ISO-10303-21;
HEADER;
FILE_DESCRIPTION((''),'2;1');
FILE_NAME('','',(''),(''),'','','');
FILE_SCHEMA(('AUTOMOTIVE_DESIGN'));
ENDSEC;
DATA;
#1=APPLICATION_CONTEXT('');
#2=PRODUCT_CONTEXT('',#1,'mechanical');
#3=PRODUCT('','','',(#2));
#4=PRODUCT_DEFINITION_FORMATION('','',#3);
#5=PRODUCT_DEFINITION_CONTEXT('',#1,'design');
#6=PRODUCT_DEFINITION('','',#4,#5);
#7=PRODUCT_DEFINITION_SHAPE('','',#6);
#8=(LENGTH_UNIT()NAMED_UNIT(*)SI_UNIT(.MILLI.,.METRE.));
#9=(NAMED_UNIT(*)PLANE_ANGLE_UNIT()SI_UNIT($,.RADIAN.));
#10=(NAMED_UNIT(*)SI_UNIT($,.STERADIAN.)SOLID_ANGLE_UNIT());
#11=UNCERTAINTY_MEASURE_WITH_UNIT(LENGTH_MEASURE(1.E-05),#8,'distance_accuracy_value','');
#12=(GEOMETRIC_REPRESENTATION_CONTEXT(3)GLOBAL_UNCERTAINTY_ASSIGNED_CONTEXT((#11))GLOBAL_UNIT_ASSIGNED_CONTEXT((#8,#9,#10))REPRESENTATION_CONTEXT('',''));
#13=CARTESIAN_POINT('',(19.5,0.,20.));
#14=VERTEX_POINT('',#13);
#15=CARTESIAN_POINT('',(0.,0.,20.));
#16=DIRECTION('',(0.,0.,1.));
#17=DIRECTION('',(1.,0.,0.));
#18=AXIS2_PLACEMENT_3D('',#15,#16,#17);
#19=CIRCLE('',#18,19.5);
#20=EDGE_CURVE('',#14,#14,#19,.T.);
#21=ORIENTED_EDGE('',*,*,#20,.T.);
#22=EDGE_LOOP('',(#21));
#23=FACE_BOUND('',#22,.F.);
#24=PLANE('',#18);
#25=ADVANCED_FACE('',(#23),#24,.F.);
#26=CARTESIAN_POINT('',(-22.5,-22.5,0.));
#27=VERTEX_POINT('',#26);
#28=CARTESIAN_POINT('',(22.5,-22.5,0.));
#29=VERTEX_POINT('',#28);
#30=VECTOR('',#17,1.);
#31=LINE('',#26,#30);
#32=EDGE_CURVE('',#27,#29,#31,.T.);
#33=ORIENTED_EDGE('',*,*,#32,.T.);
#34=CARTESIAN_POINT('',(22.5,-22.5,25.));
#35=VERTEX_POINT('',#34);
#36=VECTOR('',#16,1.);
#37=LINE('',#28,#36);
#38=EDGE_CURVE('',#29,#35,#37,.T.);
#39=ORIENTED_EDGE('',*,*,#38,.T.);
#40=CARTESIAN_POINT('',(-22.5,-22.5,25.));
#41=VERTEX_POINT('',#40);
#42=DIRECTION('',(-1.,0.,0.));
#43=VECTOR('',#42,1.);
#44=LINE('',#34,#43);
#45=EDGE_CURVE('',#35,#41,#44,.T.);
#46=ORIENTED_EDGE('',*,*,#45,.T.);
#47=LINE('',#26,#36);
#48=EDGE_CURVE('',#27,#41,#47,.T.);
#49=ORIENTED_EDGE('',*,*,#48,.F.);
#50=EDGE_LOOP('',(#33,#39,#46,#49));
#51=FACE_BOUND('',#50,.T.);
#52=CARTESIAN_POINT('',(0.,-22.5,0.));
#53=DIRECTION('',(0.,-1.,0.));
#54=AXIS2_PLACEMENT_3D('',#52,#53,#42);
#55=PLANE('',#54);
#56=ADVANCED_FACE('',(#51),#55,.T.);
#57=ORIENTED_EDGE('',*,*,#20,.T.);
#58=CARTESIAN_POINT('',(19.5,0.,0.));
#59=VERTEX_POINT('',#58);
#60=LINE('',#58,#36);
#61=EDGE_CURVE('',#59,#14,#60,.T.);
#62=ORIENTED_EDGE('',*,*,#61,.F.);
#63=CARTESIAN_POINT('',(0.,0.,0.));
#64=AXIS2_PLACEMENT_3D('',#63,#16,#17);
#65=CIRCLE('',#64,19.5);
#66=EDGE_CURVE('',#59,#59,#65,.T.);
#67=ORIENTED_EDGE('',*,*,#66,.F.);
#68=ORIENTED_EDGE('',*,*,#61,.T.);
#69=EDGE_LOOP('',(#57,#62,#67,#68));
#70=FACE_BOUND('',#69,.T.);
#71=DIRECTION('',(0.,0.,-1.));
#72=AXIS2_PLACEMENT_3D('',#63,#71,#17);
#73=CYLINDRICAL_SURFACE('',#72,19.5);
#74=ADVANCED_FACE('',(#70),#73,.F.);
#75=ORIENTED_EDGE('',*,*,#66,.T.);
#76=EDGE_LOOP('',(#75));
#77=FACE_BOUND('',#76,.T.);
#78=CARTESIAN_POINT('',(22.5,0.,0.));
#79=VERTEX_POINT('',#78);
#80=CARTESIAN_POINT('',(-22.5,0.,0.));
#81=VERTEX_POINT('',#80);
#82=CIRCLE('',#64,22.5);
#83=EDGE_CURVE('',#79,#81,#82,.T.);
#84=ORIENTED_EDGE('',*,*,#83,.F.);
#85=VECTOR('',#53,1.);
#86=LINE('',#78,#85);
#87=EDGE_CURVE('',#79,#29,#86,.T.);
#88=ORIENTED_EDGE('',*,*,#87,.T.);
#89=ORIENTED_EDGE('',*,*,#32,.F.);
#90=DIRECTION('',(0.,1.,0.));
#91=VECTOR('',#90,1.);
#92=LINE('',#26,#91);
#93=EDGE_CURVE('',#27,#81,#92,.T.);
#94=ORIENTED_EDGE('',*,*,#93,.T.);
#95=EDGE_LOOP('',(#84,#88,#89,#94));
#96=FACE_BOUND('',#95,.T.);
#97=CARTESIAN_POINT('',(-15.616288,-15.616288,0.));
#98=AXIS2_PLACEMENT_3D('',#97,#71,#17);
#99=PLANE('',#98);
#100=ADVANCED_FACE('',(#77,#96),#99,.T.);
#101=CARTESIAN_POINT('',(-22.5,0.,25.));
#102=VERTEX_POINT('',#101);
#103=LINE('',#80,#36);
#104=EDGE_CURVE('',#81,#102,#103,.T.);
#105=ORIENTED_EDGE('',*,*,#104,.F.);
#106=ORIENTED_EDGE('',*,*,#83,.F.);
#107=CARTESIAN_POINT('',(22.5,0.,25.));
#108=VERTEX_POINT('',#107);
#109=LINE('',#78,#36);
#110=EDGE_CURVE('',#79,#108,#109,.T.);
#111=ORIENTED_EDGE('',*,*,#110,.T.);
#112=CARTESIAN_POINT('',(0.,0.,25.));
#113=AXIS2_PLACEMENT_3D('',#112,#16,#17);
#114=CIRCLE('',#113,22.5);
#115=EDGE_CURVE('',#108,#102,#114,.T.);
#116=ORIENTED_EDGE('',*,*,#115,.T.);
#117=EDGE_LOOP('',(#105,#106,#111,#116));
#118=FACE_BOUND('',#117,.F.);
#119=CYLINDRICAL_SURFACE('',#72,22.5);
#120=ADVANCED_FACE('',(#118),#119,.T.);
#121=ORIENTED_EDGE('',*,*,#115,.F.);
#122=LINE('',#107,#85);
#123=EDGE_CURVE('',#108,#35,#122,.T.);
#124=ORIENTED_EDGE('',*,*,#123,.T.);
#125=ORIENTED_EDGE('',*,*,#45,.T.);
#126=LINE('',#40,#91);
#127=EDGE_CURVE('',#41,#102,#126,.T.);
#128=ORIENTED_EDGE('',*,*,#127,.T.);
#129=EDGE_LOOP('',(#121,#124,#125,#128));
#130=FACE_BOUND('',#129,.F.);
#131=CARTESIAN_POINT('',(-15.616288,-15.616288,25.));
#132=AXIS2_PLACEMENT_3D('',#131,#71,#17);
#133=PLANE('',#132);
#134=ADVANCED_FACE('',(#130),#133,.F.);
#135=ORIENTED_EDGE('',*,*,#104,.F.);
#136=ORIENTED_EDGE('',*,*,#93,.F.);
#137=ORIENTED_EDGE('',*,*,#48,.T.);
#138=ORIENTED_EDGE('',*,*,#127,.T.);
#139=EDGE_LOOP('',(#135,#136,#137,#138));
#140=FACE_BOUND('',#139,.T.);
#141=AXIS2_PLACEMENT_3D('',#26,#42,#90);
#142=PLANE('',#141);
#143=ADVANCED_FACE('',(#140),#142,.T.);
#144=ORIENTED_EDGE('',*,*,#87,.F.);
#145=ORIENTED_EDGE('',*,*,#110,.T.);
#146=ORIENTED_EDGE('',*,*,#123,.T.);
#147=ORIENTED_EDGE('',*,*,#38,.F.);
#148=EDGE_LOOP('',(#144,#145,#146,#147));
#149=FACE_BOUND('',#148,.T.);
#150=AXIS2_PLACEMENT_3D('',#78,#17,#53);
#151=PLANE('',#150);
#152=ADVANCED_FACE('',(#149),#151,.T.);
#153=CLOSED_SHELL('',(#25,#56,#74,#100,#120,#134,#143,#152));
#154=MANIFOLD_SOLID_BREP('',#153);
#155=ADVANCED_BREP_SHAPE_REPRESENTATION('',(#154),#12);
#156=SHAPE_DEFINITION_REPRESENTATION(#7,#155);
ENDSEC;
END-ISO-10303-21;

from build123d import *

# Parameters (mm, degrees)
F0_R     = 22.5
F1_DEPTH = 25
F2_R     = 19.5
F3_DEPTH = 20
F5_DEPTH = 25


with BuildPart() as f1:
    # F0 (on Top) → F1 (new body)
    with BuildSketch(Plane.XY):
        Circle(F0_R)
    extrude(amount=F1_DEPTH)

    # F2 (on Top) → F3 (cut)
    with BuildSketch(Plane.XY):
        Circle(F2_R)
    extrude(amount=F3_DEPTH, mode=Mode.SUBTRACT)

    # F4 (on face) → F5 (join)
    with BuildSketch(Plane(origin=(0, 0, 0), x_dir=(1, 0, 0), z_dir=(0, 0, -1))):
        with BuildLine():
            Line((-22.5, 22.5), (-22.5, 2.46e-08))
            ThreePointArc((-22.5, 2.46e-08), (-15.9099025593, 15.9099025941), (2.47e-08, 22.5))
            Line((2.47e-08, 22.5), (-22.5, 22.5))
        make_face()
        with BuildLine():
            ThreePointArc((2.47e-08, 22.5), (15.9099025854, 15.909902568), (22.5, 0))
            Line((22.5, 0), (22.5, 22.5))
            Line((22.5, 22.5), (2.47e-08, 22.5))
        make_face()
    extrude(amount=-F5_DEPTH)


solid = f1.part
